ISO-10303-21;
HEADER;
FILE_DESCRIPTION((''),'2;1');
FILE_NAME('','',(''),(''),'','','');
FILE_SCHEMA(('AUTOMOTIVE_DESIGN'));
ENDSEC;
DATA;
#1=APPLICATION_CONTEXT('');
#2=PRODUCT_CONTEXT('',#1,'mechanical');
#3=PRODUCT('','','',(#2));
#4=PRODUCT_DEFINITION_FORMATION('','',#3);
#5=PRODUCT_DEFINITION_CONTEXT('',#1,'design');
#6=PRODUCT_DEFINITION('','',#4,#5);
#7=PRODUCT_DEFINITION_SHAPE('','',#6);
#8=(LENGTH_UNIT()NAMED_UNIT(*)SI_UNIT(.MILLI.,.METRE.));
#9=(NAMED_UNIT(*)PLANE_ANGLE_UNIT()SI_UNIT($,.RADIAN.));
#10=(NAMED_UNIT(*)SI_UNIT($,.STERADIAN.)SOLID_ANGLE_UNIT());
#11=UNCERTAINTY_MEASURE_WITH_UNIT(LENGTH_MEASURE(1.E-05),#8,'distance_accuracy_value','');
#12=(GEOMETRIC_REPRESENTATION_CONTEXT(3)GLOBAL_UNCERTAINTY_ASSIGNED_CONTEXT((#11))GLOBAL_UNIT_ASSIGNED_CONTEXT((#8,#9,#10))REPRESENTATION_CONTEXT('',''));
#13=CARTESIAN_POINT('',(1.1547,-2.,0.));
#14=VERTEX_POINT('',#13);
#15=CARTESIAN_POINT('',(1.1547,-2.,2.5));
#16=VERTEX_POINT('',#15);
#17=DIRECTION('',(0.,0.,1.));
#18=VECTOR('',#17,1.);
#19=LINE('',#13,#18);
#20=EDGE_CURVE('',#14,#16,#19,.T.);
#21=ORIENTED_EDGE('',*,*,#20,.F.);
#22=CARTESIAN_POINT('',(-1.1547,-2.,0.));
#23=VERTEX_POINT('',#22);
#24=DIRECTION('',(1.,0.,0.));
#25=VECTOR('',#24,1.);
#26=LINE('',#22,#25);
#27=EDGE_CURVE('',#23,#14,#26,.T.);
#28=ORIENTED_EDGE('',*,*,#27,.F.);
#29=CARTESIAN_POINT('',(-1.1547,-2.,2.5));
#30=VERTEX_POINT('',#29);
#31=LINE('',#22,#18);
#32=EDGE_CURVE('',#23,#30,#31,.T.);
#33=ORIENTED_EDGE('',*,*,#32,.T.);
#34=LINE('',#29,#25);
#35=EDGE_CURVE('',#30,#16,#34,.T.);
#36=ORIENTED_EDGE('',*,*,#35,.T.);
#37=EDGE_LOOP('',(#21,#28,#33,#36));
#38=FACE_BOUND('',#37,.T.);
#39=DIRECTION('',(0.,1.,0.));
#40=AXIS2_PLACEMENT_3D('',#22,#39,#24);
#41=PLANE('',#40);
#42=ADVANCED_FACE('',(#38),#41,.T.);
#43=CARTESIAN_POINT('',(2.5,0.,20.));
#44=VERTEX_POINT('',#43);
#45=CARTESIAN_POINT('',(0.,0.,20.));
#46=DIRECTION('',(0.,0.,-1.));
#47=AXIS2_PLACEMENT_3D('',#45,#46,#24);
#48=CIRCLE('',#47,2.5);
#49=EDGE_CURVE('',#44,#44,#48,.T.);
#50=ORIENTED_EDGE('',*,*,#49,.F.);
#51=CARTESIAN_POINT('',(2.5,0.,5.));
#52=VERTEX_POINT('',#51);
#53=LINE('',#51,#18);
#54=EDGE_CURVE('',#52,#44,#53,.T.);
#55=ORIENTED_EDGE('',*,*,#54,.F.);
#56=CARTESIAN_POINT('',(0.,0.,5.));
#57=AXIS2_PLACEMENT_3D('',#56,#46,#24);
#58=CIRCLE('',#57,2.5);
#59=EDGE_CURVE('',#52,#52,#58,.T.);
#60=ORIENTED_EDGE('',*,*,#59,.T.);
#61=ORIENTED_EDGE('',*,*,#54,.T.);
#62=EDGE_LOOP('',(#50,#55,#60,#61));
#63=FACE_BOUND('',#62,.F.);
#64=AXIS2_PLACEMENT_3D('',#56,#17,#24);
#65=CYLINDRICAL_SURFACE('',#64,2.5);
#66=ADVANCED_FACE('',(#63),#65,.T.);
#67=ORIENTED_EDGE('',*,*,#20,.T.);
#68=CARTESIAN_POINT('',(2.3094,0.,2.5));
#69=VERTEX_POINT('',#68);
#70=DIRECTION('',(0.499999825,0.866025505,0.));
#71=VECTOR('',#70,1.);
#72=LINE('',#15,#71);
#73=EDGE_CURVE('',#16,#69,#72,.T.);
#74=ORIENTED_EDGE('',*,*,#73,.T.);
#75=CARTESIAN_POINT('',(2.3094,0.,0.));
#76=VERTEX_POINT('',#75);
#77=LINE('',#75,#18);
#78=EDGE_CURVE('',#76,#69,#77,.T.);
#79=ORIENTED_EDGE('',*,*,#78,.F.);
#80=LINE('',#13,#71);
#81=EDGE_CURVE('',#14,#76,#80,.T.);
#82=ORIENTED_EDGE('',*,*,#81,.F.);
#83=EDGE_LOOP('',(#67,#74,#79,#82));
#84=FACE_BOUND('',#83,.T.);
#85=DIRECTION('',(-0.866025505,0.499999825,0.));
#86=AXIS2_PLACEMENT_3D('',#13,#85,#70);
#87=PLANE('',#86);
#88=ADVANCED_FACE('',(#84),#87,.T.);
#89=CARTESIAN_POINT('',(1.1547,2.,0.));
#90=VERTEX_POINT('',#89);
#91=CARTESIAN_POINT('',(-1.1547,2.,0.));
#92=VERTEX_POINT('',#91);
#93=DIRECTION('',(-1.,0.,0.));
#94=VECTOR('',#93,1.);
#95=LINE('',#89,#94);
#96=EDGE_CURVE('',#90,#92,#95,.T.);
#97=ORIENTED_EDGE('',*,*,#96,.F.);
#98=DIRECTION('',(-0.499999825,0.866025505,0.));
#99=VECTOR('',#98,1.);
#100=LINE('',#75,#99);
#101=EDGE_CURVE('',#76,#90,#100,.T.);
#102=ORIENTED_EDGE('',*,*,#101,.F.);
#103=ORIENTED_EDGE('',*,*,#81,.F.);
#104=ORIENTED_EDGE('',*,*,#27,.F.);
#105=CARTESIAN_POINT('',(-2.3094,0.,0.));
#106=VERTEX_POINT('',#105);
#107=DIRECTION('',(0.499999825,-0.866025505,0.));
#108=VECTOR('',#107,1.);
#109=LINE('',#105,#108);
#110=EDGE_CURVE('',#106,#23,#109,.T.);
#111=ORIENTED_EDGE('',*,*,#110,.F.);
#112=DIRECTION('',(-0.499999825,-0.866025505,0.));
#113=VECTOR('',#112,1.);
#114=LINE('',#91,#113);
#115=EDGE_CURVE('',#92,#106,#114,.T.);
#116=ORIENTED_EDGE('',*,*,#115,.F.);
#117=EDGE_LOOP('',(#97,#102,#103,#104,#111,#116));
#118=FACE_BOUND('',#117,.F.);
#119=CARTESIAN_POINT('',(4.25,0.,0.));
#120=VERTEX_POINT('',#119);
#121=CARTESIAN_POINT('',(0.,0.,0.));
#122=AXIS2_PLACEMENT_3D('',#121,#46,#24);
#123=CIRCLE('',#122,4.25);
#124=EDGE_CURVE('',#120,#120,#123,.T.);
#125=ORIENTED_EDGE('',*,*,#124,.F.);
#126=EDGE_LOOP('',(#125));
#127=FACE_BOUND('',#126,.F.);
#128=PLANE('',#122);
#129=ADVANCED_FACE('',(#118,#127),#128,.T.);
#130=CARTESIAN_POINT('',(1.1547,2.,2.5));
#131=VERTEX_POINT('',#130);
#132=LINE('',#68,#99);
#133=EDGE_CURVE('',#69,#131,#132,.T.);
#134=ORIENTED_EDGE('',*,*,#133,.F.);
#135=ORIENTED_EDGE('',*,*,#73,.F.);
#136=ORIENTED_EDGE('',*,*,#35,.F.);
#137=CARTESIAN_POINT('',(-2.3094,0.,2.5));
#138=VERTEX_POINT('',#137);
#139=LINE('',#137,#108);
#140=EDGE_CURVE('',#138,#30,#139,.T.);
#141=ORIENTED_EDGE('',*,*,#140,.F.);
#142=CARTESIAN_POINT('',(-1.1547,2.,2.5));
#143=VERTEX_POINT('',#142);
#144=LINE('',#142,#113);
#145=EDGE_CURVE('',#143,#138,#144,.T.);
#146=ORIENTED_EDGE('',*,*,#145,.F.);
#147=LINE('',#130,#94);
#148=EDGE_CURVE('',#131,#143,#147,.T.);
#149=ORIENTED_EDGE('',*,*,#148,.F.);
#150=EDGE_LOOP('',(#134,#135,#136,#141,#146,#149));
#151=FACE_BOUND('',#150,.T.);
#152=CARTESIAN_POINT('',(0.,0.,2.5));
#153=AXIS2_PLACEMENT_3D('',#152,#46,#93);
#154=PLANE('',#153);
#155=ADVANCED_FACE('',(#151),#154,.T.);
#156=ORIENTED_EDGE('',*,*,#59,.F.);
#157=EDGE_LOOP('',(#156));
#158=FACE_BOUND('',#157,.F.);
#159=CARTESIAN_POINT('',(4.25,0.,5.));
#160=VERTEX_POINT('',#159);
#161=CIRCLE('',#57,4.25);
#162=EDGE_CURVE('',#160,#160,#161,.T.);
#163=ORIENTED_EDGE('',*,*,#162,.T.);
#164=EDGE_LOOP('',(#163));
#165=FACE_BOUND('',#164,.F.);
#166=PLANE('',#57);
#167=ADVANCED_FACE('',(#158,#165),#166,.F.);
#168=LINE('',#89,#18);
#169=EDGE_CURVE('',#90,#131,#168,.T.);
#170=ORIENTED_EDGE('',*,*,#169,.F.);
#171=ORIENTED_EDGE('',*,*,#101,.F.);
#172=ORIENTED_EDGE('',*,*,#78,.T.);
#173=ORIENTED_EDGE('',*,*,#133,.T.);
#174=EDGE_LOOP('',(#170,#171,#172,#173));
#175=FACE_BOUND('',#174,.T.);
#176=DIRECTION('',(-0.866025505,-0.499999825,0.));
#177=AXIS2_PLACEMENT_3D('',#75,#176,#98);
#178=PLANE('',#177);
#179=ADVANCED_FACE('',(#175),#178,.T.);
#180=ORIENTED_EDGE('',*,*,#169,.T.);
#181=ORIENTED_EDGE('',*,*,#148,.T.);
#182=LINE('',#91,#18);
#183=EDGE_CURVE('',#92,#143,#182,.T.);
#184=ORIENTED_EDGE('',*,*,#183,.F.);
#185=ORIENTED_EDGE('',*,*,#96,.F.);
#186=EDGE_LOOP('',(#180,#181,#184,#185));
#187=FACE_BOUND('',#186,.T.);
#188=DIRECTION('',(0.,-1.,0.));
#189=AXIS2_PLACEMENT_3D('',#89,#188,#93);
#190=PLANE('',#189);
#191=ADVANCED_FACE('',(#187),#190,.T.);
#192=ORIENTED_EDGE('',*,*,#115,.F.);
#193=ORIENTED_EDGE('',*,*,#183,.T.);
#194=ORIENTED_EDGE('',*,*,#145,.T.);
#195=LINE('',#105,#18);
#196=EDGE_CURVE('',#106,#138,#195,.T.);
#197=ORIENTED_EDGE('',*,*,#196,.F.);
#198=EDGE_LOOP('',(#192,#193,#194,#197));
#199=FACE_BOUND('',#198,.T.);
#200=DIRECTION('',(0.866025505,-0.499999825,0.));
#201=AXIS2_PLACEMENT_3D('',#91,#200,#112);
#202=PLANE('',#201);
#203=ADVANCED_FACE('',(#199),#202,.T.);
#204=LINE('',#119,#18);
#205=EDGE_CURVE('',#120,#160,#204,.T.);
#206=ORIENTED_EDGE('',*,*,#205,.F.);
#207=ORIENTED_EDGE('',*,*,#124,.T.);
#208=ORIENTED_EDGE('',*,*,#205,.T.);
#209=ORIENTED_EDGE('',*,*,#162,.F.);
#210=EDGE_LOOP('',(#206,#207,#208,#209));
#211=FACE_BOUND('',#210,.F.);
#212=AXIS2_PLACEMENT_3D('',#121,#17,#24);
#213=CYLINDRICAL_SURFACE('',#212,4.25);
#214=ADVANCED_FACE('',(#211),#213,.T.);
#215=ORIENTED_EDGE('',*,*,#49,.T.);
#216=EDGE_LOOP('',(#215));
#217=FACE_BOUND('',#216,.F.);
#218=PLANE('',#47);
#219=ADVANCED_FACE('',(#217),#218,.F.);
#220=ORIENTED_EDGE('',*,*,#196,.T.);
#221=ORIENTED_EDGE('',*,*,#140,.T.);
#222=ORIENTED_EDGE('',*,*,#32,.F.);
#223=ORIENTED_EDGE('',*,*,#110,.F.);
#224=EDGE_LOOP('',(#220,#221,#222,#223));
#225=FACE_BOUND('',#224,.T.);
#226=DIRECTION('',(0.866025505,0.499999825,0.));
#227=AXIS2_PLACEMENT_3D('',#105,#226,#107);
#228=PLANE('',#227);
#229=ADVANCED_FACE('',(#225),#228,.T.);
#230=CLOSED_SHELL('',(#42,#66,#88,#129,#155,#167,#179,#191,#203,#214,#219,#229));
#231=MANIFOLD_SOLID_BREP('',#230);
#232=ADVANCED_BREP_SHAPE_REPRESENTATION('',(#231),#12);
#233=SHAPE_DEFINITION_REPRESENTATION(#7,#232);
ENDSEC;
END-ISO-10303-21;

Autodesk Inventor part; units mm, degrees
ref_plane "YZ Plane" through (0, 0, 0) normal (1, 0, 0) x (0, 1, 0)
ref_plane "XZ Plane" through (0, 0, 0) normal (0, 1, 0) x (-1, 0, 0)
ref_plane "XY Plane" through (0, 0, 0) normal (0, 0, 1) x (1, 0, 0)
sketch "Sketch1" plane through (0, 0, 0) normal (0, 1, 0) x (-1, 0, 0)
  line L0 (0, 0) -> (-4.25, 0)
  line L1 (-4.25, 0) -> (-4.25, 5)
  line L2 (-4.25, 5) -> (-2.5, 5)
  line L3 (-2.5, 5) -> (-2.5, 20)
  line L4 (-2.5, 20) -> (0, 20)
  line L5 (0, 20) -> (0, 0)
  dimension "ScrewLength" = 15
  dimension "Diameter" = 8.5
  dimension "Metric" = 5
  dimension "HeadLength" = 5
revolve "Revolution1" add sketch "Sketch1" angle 360 about axis through (0, 0, 20) along (0, 0, -1)
thread "Thread1" size "M5x0.8" class "6g" standard "ANSI Metric M Profile" full length
sketch "Sketch2" plane through (0, 0, 0) normal (0, 0, -1) x (-1, 0, 0)
  line L0 (1.1547, 2) -> (2.3094, 0)
  line L1 (2.3094, 0) -> (1.1547, -2)
  line L2 (1.1547, -2) -> (-1.1547, -2)
  line L3 (-1.1547, -2) -> (-2.3094, 0)
  line L4 (-2.3094, 0) -> (-1.1547, 2)
  line L5 (-1.1547, 2) -> (1.1547, 2)
  point P0 (0, 0)
  point P1 (0, 0)
  dimension "WidthAcrossFlat" = 4
extrude "Extrusion1" cut sketch "Sketch2" against normal blind 2.5
properties part number "UC-0515" material "Stainless Steel AISI 304"
